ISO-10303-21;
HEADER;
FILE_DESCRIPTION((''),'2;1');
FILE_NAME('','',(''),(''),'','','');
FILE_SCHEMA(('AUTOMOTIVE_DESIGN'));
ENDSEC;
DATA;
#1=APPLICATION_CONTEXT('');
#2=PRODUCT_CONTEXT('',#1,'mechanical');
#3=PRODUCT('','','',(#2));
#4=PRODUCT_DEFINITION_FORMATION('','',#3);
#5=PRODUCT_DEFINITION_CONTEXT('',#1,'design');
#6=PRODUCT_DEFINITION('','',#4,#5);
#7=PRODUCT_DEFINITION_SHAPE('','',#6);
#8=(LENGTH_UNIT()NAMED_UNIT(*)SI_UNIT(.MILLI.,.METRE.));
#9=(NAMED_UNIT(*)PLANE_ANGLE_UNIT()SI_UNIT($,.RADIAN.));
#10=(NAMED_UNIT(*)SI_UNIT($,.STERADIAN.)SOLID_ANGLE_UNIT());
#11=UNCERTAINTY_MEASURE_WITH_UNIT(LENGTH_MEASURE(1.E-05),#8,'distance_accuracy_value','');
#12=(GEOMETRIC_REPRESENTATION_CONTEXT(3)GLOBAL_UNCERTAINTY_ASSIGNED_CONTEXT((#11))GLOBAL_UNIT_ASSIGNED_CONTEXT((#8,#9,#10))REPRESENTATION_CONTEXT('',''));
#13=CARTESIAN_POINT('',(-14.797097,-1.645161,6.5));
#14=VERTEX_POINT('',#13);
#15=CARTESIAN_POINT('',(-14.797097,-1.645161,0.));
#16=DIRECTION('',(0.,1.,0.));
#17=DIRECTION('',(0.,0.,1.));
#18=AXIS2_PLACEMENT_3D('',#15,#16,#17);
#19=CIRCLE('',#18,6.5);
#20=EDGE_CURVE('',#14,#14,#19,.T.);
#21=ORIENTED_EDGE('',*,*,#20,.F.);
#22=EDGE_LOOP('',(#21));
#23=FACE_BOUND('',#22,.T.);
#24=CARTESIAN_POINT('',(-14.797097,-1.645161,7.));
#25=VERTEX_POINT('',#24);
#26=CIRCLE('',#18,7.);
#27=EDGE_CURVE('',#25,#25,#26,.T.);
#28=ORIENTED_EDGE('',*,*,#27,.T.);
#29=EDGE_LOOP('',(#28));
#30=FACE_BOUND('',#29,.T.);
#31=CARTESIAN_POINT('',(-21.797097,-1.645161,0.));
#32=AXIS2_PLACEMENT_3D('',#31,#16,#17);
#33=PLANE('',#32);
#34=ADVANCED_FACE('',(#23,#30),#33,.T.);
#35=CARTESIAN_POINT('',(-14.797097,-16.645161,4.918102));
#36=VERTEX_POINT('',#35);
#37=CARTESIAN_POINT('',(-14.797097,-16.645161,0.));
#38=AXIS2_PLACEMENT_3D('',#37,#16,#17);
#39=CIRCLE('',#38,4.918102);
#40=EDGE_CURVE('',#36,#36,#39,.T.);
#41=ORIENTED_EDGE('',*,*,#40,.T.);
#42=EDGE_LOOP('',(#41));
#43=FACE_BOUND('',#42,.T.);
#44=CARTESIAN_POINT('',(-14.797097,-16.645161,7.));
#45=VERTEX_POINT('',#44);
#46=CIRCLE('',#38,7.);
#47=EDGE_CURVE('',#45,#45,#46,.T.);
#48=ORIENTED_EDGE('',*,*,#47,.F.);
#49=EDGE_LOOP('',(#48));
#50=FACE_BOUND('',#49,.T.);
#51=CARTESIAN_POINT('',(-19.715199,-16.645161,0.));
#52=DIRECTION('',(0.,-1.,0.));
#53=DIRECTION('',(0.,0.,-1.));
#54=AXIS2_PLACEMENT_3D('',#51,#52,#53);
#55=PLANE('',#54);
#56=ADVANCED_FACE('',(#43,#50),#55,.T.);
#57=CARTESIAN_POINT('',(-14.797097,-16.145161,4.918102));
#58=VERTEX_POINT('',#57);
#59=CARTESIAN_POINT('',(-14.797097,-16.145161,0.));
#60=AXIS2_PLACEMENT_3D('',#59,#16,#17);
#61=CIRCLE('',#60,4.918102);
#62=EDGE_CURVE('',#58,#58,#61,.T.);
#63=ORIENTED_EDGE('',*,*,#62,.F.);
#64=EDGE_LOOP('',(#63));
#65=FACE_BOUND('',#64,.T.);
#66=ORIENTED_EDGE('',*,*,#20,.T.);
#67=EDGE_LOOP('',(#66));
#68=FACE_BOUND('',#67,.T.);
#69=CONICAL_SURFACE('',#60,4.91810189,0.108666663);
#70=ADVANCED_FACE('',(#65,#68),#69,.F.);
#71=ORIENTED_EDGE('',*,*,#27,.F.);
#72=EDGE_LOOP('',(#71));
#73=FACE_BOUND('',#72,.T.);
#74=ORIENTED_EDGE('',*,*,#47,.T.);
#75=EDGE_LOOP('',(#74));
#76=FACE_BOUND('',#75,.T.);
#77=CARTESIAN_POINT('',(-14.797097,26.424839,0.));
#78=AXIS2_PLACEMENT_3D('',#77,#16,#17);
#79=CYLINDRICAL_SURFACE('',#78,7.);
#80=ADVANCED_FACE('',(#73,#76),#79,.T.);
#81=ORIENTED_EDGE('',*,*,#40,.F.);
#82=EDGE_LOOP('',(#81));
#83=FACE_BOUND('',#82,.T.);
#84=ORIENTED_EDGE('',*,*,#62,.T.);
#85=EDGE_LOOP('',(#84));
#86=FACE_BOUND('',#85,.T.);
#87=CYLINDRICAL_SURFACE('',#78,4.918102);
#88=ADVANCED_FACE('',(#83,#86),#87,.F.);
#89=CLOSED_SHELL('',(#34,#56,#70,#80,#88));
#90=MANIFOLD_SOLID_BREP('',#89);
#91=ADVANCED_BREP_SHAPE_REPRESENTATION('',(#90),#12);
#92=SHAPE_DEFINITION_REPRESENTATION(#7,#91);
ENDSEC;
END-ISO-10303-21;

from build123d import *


with BuildPart() as part:
    # Sketch1 → Revolve1 (revolve)
    with BuildSketch(Plane.XY, mode=Mode.PRIVATE) as revolve1_sk:
        Polygon((-19.71519884, -16.64516129), (-21.79709695, -16.64516129), (-21.79709695, -3.14516129), (-21.79709695, -1.64516129), (-21.29709695, -1.64516129), (-19.71519884, -16.14516129), align=None)
    revolve(revolve1_sk.sketch.rotate(Axis((-14.79709695, 26.42483871, 0), (0, -1, 0)), 270), axis=Axis((-14.79709695, 26.42483871, 0), (0, -1, 0)))


solid = part.part
